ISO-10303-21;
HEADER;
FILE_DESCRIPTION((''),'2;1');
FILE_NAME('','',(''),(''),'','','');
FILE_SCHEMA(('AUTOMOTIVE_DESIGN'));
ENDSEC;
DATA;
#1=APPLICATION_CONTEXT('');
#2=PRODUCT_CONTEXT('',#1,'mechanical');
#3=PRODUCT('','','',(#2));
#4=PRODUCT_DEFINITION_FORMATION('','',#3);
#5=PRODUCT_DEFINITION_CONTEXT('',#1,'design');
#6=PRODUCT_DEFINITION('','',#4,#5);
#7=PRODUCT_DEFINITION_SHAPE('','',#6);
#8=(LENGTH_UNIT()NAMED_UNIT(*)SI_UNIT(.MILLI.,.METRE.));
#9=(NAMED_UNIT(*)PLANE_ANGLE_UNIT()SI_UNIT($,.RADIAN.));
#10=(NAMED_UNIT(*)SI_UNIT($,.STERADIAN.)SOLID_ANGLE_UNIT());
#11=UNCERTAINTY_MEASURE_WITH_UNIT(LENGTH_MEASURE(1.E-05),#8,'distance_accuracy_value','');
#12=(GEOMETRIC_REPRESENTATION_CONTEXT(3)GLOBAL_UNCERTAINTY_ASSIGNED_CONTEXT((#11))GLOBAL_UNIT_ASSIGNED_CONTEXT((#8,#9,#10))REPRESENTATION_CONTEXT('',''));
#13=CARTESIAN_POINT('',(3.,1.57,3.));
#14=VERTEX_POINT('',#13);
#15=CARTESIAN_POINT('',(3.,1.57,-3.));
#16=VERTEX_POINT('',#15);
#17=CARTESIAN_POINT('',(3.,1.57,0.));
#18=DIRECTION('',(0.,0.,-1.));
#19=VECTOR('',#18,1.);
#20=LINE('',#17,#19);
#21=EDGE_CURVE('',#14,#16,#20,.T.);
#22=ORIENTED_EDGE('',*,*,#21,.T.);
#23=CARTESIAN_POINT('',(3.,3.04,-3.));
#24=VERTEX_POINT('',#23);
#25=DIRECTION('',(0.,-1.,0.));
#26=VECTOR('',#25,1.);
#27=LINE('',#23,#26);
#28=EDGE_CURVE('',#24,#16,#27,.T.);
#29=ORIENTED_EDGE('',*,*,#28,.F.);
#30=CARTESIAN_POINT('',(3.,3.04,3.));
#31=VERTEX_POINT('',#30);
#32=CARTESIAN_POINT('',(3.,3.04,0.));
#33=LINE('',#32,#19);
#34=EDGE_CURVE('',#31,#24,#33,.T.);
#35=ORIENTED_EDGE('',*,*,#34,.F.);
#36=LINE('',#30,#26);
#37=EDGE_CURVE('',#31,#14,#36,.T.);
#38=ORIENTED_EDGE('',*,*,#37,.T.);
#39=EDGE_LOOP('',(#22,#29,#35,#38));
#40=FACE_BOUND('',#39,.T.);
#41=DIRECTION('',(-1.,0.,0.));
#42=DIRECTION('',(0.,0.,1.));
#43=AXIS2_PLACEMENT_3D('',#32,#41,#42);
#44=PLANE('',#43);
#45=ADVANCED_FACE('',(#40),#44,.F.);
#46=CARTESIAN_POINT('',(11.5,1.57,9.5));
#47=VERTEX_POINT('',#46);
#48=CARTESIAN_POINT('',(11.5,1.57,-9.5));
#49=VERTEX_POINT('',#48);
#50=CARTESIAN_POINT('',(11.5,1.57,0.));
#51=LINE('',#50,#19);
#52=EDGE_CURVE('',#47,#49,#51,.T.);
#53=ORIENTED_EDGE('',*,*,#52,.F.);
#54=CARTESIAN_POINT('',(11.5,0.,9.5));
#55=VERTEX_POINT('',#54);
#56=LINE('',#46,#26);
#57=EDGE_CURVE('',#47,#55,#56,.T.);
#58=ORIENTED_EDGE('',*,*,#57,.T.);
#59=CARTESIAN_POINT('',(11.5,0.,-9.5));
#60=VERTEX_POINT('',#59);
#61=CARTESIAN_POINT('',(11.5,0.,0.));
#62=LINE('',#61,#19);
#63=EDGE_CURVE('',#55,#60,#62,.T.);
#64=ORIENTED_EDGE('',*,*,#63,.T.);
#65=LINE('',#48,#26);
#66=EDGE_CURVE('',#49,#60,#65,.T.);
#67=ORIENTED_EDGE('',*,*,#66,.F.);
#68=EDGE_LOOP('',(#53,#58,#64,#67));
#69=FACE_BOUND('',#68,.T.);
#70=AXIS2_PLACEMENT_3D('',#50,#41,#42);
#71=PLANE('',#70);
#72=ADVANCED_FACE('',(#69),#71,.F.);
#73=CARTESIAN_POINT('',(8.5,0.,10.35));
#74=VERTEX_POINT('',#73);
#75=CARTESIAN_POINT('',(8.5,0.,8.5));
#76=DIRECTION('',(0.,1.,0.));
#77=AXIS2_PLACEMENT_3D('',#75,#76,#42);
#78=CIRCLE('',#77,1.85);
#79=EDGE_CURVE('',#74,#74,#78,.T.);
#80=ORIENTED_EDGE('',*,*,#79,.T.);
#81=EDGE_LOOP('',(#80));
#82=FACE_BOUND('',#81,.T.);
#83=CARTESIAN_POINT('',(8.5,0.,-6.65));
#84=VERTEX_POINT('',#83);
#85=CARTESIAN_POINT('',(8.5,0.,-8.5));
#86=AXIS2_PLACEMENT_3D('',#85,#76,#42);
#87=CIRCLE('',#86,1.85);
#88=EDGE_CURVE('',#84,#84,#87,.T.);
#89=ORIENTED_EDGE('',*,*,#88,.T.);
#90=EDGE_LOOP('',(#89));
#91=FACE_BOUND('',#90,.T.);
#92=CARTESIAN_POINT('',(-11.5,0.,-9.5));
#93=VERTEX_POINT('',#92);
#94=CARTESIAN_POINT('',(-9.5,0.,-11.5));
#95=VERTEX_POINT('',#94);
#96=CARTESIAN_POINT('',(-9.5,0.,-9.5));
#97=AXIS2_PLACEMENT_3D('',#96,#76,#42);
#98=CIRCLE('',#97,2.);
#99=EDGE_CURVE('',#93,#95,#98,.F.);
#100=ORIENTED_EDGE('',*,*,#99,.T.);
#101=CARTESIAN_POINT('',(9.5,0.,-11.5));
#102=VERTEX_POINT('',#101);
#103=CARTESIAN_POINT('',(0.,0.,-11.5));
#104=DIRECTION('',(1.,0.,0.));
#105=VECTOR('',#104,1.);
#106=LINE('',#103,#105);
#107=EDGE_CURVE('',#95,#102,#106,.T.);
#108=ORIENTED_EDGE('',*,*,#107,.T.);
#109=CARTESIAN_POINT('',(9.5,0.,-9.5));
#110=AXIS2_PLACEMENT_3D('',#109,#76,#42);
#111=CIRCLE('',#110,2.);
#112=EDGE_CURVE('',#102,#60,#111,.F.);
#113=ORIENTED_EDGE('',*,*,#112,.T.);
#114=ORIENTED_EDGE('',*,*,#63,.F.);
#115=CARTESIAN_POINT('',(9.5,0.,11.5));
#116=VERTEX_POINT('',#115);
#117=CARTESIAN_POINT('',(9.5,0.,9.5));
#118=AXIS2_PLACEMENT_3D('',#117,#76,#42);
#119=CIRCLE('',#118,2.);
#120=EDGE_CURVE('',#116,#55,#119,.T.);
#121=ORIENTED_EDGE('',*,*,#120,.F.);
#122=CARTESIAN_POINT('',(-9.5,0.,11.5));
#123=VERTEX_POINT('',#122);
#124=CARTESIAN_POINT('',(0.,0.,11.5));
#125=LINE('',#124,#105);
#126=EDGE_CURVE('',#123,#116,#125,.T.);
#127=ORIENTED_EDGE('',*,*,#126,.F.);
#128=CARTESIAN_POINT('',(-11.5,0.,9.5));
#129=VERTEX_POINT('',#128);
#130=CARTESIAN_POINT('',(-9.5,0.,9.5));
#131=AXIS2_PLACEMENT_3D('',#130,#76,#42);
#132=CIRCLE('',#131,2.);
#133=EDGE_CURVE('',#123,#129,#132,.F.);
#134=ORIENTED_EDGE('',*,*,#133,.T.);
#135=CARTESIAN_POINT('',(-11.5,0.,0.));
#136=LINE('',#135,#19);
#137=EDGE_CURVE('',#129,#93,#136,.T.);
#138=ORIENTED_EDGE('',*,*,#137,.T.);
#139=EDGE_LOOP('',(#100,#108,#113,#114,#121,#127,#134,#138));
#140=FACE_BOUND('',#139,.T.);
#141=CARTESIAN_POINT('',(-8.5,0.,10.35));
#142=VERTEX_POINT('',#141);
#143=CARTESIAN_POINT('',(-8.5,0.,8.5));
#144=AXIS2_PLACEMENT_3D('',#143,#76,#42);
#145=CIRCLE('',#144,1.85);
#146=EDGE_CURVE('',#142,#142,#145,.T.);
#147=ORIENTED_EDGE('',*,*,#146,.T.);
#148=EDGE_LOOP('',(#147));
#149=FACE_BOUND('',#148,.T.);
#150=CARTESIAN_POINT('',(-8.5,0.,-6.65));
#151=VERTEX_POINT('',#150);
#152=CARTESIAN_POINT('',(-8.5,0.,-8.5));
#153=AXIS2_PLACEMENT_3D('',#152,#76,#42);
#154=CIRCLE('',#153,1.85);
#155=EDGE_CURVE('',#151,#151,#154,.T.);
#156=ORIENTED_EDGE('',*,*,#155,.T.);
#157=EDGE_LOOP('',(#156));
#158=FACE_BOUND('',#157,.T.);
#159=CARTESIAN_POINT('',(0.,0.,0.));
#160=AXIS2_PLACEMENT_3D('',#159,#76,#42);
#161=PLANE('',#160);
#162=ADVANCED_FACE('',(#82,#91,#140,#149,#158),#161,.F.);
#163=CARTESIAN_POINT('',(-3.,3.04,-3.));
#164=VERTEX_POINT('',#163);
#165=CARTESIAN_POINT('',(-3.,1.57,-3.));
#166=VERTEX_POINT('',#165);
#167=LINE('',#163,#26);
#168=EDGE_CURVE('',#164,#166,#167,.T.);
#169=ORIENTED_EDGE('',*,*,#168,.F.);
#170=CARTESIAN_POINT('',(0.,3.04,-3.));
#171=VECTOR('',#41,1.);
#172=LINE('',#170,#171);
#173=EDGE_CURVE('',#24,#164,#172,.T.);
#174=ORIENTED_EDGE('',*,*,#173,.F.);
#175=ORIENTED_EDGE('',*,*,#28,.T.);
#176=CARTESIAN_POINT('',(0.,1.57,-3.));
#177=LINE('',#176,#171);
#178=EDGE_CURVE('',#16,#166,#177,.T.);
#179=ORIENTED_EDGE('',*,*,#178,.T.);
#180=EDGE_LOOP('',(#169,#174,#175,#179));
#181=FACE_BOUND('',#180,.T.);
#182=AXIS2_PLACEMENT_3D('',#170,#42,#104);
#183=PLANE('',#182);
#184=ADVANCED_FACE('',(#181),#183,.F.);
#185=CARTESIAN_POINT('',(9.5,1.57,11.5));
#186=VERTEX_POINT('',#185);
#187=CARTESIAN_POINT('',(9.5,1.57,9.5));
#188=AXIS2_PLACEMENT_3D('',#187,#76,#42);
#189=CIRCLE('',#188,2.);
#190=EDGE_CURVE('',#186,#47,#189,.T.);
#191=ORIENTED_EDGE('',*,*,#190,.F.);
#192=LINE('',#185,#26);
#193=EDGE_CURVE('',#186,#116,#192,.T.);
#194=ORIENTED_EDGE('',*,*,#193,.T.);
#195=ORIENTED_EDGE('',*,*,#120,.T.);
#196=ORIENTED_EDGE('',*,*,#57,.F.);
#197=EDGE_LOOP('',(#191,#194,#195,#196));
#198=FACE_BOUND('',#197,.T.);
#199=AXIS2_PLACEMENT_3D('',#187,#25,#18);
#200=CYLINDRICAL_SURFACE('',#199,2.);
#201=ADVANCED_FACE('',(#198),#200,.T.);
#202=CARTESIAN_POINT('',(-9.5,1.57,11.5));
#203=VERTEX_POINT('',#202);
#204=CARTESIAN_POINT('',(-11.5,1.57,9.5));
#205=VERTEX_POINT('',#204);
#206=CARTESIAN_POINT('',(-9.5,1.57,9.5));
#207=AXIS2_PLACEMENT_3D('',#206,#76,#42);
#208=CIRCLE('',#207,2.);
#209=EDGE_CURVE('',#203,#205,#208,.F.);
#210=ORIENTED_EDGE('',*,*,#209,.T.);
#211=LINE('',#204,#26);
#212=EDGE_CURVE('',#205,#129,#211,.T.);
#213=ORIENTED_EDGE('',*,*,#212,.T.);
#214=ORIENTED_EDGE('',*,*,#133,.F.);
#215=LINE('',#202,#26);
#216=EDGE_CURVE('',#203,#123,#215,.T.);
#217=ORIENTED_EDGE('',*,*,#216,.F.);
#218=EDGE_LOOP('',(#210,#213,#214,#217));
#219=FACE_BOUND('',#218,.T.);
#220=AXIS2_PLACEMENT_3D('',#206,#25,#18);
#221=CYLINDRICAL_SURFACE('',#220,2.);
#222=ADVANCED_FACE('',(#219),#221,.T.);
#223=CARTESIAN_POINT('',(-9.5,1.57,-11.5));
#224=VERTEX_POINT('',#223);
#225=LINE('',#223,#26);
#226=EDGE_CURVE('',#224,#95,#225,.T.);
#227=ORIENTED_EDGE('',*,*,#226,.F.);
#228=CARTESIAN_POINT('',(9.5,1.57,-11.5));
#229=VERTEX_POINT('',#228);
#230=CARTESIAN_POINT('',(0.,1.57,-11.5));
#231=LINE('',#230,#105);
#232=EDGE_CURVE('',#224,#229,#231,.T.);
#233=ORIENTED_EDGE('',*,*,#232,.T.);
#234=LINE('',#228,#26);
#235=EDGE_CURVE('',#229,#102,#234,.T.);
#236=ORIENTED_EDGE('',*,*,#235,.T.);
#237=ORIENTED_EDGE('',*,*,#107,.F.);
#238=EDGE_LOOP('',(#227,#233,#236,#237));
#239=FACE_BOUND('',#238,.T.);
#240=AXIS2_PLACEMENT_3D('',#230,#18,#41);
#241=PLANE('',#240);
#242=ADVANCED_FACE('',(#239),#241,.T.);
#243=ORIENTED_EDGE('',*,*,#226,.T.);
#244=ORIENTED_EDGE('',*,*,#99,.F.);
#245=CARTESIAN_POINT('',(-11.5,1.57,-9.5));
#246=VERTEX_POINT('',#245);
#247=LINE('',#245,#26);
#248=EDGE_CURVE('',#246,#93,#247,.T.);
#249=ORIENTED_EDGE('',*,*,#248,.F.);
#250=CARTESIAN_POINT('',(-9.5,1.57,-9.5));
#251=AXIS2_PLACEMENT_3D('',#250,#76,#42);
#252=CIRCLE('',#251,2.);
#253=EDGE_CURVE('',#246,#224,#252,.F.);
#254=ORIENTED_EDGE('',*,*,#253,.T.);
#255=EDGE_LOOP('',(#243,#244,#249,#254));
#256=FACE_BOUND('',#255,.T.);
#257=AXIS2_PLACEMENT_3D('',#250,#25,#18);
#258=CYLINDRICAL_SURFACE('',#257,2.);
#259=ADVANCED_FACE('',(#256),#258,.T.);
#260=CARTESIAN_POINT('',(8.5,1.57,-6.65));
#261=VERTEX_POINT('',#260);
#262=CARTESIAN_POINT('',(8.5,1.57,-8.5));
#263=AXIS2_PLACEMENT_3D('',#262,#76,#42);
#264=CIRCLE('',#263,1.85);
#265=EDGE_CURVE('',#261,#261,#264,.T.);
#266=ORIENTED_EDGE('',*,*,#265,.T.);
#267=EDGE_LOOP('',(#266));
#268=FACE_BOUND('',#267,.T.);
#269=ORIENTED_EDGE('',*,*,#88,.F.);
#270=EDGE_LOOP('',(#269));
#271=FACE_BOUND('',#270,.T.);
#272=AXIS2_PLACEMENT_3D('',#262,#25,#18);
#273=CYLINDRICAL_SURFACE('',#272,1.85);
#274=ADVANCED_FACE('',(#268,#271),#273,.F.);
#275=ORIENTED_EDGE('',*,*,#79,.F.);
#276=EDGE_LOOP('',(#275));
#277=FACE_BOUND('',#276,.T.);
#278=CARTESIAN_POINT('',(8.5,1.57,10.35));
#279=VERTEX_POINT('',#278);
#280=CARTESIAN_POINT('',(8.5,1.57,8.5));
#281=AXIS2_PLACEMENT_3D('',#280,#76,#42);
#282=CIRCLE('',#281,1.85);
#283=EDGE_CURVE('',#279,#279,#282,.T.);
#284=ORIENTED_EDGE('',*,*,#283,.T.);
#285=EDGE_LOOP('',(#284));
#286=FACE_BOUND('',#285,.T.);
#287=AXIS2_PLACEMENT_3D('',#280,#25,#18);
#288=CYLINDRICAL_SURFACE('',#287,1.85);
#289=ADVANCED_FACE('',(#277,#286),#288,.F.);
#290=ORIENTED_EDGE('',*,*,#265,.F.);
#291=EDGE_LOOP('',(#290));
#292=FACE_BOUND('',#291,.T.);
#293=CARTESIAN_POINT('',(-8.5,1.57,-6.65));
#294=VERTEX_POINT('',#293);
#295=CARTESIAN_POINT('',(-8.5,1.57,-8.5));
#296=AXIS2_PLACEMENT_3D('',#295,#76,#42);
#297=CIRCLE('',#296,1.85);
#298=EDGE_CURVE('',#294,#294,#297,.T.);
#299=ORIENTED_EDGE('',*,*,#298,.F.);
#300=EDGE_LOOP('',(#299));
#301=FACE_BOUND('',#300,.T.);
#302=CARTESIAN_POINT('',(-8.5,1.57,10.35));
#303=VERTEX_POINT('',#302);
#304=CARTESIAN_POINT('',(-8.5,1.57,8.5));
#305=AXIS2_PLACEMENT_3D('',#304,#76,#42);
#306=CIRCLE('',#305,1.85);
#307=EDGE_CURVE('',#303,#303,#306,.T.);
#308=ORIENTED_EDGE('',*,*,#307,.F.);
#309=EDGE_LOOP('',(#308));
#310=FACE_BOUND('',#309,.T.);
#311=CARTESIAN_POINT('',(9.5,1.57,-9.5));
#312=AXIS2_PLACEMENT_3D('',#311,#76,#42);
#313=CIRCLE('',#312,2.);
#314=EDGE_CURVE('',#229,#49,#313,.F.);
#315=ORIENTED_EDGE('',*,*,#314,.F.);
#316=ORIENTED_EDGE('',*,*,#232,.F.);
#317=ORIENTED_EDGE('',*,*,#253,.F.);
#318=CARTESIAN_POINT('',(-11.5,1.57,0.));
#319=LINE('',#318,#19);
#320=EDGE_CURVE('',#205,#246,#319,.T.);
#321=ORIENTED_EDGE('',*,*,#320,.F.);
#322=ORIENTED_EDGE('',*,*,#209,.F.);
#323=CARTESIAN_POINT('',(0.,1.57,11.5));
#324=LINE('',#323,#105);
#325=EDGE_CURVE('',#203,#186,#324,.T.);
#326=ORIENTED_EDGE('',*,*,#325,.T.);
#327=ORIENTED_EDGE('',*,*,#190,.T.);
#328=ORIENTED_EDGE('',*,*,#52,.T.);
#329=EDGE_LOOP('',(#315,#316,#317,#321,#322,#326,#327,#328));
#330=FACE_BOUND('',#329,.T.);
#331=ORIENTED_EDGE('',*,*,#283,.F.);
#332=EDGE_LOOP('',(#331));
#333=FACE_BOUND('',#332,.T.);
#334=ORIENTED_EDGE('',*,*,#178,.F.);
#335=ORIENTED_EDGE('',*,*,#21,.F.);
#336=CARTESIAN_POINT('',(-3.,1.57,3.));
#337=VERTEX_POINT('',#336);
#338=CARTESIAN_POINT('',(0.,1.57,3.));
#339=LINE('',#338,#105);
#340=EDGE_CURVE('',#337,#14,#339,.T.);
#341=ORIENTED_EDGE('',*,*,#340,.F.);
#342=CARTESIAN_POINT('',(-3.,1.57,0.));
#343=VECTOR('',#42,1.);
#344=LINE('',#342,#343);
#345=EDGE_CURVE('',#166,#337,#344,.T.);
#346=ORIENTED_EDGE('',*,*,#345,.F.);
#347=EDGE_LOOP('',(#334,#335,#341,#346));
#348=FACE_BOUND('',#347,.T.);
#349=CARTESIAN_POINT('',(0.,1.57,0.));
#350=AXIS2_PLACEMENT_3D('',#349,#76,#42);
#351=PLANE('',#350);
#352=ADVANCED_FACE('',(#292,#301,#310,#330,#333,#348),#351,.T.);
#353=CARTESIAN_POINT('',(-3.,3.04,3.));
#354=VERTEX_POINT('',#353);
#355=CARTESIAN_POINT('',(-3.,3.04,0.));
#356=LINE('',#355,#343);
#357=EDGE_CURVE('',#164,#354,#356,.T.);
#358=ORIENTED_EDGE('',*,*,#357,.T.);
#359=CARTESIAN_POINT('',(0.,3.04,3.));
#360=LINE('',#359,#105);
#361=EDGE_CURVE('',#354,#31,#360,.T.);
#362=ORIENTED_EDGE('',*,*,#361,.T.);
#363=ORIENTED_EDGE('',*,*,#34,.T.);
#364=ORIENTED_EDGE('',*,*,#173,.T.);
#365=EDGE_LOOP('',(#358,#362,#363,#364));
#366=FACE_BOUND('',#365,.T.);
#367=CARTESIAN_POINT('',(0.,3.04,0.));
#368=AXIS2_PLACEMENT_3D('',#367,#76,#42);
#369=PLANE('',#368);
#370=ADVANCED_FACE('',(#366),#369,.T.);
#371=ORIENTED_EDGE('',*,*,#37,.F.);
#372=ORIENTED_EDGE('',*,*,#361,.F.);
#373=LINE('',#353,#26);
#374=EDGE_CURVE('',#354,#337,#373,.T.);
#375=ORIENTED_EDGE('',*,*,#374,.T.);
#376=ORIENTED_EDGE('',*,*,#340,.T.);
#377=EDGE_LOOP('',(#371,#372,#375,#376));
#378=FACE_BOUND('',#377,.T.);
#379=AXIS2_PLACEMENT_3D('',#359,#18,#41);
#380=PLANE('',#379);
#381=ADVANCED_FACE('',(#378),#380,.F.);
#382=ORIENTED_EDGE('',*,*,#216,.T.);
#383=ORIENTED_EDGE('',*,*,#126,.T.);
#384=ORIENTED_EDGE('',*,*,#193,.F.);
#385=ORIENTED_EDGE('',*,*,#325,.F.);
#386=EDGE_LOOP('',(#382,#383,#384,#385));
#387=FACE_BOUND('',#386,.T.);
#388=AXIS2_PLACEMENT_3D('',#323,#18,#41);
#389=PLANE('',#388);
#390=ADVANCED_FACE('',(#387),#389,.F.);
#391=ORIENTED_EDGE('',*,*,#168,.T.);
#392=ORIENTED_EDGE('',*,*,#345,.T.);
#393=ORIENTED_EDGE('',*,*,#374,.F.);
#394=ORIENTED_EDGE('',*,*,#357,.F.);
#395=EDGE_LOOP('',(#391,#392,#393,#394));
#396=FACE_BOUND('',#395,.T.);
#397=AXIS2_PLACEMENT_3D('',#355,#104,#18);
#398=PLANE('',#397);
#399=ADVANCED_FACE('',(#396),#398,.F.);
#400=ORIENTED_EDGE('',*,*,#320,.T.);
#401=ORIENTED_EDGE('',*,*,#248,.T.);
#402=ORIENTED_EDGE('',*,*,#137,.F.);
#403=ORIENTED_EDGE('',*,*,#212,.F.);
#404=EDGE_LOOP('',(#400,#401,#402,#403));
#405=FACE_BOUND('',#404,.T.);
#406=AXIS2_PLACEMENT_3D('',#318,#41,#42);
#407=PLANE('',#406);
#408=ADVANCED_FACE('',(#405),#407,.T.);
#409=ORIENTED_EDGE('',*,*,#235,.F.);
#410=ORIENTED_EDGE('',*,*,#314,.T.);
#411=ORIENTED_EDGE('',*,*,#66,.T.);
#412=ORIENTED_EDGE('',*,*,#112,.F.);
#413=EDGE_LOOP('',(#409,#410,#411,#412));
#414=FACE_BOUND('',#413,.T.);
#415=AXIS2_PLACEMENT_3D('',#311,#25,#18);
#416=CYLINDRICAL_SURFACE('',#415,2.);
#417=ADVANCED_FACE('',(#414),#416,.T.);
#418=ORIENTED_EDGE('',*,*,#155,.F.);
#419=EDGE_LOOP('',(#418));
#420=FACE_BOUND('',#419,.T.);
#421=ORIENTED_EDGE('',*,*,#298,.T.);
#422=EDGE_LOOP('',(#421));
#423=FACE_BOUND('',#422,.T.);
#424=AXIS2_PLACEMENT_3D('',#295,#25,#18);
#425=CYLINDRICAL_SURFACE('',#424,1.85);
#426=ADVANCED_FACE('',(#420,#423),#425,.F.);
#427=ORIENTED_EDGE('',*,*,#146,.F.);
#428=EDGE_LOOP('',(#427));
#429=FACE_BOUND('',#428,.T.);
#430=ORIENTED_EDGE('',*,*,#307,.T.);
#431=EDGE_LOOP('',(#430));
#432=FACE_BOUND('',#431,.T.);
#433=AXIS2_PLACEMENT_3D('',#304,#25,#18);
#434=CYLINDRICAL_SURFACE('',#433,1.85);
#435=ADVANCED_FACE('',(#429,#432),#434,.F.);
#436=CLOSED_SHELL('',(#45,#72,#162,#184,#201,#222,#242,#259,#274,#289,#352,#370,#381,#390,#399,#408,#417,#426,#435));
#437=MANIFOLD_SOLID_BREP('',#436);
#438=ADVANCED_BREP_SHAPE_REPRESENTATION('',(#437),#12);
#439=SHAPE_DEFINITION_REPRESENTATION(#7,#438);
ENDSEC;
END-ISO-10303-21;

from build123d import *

# Parameters (mm, degrees)
SKETCH1_R           = 1.85
SKETCH1_W           = 6
SKETCH1_H           = 6
BOSS_EXTRUDE1_DEPTH = 1.57
SKETCH2_W           = 6
SKETCH2_H           = 6
BOSS_EXTRUDE2_DEPTH = 1.47


with BuildPart() as part:
    # Sketch1 → Boss-Extrude1 (new body)
    # profile 1 of 2: a face of its own
    with BuildSketch(Plane(origin=(0, 0, 0), x_dir=(1, 0, 0), z_dir=(0, 1, 0))):
        with BuildLine():
            ThreePointArc((-11.5, 9.5), (-10.914213562, 10.914213562), (-9.5, 11.5))
            Line((-9.5, 11.5), (9.5, 11.5))
            ThreePointArc((9.5, 11.5), (10.914213562, 10.914213562), (11.5, 9.5))
            Line((11.5, 9.5), (11.5, -9.5))
            ThreePointArc((11.5, -9.5), (10.914213562, -10.914213562), (9.5, -11.5))
            Line((9.5, -11.5), (-9.5, -11.5))
            ThreePointArc((-9.5, -11.5), (-10.914213562, -10.914213562), (-11.5, -9.5))
            Line((-11.5, -9.5), (-11.5, 9.5))
        make_face()
        with Locations(Location((-8.5, -8.5, 0), (0, 0, 270))):
            Circle(SKETCH1_R, mode=Mode.SUBTRACT)
        with Locations(Location((8.5, -8.5, 0), (0, 0, 270))):
            Circle(SKETCH1_R, mode=Mode.SUBTRACT)
        with Locations(Location((8.5, 8.5, 0), (0, 0, 270))):
            Circle(SKETCH1_R, mode=Mode.SUBTRACT)
        with Locations(Location((-8.5, 8.5, 0), (0, 0, 270))):
            Circle(SKETCH1_R, mode=Mode.SUBTRACT)
        Rectangle(SKETCH1_W, SKETCH1_H, mode=Mode.SUBTRACT)
    # profile 2 of 2: a face of its own
    with BuildSketch(Plane(origin=(0, 0, 0), x_dir=(1, 0, 0), z_dir=(0, 1, 0))):
        Rectangle(SKETCH1_W, SKETCH1_H)
    extrude(amount=BOSS_EXTRUDE1_DEPTH)

    # Sketch2 → Boss-Extrude2 (add)
    with BuildSketch(Plane(origin=(0, 1.57, 0), x_dir=(1, 0, 0), z_dir=(0, 1, 0))):
        Rectangle(SKETCH2_W, SKETCH2_H)
    extrude(amount=BOSS_EXTRUDE2_DEPTH)


solid = part.part
